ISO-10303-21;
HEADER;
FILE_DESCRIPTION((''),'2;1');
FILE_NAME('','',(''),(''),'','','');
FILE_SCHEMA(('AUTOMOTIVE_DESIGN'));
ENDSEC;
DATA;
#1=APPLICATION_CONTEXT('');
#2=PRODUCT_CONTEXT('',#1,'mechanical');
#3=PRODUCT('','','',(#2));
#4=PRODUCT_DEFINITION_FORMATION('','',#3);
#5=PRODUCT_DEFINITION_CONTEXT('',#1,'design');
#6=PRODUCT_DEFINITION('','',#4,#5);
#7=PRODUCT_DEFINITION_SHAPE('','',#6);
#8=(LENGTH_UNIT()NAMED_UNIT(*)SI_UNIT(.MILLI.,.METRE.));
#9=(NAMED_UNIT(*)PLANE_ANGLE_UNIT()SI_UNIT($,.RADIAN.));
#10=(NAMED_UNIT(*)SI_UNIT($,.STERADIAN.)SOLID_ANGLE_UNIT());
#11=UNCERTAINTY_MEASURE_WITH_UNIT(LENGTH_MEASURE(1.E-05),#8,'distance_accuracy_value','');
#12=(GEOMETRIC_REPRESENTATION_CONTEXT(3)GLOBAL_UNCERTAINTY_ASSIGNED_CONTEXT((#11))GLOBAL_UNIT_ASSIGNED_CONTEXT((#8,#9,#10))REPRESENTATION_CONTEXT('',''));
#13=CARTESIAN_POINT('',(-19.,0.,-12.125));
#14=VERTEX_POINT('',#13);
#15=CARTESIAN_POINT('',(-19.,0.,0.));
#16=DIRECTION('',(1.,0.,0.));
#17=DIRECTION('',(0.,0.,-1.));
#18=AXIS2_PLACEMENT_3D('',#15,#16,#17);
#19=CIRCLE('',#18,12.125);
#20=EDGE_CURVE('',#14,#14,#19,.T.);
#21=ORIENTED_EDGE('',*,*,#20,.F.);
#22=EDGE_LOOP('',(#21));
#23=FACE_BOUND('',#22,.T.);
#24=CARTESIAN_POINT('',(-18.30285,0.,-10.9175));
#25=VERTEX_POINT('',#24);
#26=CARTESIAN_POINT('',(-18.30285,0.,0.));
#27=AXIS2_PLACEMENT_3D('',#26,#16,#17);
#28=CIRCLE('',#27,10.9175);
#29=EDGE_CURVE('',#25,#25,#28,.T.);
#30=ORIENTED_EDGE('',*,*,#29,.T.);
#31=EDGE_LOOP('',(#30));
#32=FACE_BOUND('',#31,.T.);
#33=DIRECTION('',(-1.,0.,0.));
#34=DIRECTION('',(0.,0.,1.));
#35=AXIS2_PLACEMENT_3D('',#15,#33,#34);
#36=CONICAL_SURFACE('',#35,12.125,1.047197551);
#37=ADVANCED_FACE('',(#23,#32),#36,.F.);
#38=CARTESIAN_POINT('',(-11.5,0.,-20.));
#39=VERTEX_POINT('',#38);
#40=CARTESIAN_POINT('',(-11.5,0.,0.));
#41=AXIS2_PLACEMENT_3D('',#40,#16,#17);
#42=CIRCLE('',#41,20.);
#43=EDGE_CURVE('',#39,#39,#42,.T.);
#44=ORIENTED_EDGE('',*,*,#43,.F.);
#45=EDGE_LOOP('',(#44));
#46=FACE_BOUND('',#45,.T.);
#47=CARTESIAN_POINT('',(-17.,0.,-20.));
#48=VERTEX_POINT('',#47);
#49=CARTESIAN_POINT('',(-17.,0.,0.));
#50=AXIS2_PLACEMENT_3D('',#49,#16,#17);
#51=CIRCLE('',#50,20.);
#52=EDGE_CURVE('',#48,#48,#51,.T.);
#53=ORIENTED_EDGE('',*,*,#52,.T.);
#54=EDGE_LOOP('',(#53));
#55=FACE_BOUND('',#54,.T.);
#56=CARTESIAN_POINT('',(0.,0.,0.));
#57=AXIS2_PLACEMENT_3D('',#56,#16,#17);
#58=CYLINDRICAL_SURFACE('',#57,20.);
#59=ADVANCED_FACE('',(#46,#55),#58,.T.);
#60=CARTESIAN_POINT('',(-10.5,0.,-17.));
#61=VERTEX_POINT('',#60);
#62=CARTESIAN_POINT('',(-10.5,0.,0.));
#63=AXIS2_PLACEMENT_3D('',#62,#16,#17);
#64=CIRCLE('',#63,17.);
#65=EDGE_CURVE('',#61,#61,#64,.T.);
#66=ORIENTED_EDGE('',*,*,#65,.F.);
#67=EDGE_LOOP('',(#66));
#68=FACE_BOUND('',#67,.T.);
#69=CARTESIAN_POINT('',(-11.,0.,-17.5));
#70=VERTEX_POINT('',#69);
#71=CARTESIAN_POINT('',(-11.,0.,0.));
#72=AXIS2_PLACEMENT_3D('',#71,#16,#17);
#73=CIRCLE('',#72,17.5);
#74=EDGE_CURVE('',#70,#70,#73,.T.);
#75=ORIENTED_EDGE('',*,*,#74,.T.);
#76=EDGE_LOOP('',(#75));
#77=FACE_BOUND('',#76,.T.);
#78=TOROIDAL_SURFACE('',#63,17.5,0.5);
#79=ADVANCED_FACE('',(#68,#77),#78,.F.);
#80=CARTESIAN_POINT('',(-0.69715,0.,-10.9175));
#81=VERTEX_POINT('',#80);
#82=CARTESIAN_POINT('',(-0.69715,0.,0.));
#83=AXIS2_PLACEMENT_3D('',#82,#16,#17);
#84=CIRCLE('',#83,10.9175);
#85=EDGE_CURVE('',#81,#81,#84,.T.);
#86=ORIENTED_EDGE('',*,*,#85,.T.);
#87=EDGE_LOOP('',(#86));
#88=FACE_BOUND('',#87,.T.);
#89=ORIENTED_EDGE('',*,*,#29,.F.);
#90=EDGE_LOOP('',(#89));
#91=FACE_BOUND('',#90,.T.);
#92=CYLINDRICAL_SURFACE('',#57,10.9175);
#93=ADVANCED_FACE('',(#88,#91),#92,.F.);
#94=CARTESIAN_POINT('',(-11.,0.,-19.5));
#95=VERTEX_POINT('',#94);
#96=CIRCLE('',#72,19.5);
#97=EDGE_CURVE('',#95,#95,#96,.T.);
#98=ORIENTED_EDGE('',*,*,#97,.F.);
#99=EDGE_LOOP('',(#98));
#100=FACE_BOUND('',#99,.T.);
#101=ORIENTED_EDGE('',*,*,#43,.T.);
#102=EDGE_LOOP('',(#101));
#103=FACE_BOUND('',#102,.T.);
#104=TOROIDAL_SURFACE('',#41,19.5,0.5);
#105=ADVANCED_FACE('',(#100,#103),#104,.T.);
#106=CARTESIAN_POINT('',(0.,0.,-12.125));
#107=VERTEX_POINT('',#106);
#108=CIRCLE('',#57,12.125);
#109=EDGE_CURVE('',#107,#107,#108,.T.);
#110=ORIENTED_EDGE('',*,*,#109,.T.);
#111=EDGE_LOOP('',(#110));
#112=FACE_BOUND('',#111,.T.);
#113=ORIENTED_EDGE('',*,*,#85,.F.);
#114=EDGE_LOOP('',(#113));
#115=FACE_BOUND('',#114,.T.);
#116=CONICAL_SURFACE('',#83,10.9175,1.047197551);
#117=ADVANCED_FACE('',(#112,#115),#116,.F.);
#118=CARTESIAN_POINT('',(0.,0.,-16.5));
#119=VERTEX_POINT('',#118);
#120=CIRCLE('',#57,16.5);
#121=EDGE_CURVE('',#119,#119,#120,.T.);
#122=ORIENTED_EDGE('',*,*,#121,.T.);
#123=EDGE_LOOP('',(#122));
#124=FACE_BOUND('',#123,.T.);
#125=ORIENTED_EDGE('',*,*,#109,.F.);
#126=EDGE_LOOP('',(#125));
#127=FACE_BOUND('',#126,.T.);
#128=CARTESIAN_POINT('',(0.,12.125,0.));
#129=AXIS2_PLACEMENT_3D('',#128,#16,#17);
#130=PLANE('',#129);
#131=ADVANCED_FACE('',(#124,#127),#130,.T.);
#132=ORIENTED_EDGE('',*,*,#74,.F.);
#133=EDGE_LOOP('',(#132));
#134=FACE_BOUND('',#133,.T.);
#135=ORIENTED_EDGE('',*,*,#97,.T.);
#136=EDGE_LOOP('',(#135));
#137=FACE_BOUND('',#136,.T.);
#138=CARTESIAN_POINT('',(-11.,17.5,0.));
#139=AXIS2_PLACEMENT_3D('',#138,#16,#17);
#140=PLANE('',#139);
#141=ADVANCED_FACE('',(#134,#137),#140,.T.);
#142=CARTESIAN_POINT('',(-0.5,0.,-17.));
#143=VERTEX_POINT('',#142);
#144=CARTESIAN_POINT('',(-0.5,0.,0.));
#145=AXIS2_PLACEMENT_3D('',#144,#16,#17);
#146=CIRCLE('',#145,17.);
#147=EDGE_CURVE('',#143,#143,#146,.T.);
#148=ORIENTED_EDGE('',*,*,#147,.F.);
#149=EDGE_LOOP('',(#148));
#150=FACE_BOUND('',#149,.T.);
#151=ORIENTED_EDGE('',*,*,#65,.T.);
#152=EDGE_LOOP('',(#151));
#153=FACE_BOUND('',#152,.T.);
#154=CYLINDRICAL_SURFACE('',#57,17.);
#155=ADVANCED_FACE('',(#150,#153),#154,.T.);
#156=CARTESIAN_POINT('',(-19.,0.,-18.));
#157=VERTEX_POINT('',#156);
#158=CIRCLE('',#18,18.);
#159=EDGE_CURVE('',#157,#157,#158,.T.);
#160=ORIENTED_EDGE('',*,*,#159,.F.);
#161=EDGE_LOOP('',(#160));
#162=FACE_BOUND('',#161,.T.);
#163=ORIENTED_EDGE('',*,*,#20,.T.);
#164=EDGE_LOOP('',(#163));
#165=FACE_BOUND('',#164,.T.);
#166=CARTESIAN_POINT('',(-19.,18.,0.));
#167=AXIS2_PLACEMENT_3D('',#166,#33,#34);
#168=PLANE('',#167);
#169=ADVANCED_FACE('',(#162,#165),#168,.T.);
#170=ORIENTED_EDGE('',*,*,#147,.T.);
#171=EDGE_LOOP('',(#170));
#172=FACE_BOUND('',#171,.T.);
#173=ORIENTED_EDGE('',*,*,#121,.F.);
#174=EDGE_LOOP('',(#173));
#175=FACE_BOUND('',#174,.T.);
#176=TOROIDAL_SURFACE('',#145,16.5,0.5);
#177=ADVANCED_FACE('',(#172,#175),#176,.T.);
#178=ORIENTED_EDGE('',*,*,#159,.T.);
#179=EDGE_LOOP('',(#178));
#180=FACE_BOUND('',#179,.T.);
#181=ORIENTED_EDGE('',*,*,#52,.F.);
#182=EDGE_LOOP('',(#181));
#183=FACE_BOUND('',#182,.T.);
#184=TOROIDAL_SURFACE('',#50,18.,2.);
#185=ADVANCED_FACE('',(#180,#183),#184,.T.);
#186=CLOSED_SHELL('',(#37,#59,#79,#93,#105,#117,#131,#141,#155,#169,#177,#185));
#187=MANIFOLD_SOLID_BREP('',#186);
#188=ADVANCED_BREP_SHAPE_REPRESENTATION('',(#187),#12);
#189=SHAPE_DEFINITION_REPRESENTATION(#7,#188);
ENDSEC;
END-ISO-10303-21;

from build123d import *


with BuildPart() as part:
    # Sketch1 → Base-Revolve (revolve)
    with BuildSketch(Plane.XY):
        with BuildLine():
            Line((0, 12.125), (0, 16.5))
            ThreePointArc((0, 16.5), (-0.146446609, 16.853553391), (-0.5, 17))
            Line((-0.5, 17), (-10.5, 17))
            ThreePointArc((-10.5, 17), (-10.853553391, 17.146446609), (-11, 17.5))
            Line((-11, 17.5), (-11, 19.5))
            ThreePointArc((-11, 19.5), (-11.146446609, 19.853553391), (-11.5, 20))
            Line((-11.5, 20), (-17, 20))
            ThreePointArc((-17, 20), (-18.414213562, 19.414213562), (-19, 18))
            Line((-19, 18), (-19, 12.125))
            Line((-19, 12.125), (-18.30284955, 10.9175))
            Line((-18.30284955, 10.9175), (-0.69715045, 10.9175))
            Line((-0.69715045, 10.9175), (0, 12.125))
        make_face()
    revolve(axis=Axis((0, 0, 0), (-1, 0, 0)))


solid = part.part
